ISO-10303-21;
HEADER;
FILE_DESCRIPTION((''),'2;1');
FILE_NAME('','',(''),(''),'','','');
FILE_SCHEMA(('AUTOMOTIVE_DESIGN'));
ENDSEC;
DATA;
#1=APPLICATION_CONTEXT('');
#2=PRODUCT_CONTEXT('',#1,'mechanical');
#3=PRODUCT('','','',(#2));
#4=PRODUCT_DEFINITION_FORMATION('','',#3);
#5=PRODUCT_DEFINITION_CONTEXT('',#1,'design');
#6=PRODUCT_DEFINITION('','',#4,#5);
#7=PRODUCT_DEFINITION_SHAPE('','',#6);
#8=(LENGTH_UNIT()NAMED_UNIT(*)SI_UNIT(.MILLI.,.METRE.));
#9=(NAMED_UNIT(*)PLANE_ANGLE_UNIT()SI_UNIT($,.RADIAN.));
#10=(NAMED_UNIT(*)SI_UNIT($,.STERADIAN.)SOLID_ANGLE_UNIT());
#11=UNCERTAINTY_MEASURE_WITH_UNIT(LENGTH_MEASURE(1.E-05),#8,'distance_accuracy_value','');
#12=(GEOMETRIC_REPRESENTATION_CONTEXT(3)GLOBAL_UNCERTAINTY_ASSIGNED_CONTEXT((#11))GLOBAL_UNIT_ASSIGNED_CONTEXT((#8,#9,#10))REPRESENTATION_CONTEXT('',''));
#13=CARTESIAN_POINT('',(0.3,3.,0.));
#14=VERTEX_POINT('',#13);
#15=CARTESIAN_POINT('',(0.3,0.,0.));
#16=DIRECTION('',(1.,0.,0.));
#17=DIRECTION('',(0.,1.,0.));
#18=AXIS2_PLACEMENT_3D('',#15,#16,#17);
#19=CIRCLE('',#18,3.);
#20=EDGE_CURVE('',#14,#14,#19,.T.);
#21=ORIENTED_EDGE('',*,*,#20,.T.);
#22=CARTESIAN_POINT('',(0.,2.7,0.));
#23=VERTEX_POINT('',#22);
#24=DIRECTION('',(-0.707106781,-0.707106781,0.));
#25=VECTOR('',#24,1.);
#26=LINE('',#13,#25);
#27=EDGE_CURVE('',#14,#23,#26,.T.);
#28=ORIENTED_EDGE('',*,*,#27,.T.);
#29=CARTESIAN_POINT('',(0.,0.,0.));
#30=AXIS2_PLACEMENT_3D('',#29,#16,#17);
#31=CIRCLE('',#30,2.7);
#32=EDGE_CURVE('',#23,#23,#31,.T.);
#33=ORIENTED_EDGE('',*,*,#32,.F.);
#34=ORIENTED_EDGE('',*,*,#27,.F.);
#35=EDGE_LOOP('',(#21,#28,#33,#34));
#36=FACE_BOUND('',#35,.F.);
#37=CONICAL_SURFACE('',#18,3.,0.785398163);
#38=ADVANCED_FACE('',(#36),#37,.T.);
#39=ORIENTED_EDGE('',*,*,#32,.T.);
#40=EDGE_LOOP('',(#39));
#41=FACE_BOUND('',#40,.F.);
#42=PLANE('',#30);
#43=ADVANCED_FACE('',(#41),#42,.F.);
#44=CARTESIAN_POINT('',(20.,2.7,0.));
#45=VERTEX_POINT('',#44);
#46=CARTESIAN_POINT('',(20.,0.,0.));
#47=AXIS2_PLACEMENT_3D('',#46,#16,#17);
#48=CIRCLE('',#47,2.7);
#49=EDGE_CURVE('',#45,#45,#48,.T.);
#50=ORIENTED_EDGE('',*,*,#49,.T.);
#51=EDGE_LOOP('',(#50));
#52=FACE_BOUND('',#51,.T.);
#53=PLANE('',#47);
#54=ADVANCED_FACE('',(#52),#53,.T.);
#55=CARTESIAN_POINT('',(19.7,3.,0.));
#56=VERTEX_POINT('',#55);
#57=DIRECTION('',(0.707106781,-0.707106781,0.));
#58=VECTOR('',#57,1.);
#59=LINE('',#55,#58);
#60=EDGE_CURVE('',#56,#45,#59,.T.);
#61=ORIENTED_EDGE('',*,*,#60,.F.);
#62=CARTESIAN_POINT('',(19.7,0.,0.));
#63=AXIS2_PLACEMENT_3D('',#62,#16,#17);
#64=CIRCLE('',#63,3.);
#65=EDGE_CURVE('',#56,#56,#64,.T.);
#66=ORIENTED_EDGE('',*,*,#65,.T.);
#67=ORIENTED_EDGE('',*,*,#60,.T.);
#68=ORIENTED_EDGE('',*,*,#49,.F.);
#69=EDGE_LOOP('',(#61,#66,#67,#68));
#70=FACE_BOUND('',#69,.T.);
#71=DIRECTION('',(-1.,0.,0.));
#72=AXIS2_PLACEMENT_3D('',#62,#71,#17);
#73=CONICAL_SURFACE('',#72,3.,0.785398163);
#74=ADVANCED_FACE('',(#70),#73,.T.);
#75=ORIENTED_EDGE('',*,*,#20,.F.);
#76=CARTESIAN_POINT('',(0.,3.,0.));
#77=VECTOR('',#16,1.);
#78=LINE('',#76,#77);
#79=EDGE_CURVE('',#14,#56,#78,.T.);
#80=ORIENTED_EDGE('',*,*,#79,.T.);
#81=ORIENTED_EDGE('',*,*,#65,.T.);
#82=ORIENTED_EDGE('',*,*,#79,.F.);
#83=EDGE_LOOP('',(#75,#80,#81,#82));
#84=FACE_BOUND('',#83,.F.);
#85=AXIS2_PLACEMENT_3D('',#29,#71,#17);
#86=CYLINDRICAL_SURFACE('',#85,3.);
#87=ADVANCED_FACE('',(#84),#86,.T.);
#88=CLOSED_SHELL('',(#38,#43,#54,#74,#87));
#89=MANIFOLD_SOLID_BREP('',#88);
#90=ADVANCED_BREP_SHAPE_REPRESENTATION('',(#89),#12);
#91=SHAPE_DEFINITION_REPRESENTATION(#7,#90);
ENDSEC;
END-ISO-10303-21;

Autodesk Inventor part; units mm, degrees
ref_plane "YZ Plane" through (0, 0, 0) normal (1, 0, 0) x (0, 1, 0)
ref_plane "XZ Plane" through (0, 0, 0) normal (0, 1, 0) x (-1, 0, 0)
ref_plane "XY Plane" through (0, 0, 0) normal (0, 0, 1) x (1, 0, 0)
sketch "Skizze3" plane through (0, 0, 0) normal (1, 0, 0) x (0, 1, 0)
  circle A0 centre (0, 0) radius 3
  dimension "d4" = 6
extrude "Extrusion3" add sketch "Skizze3" along normal blind 20
chamfer "Fase1" distance 0.3 angle 45 2 edges at (0, -3, 0) (20, -3, 0)
properties part number "Nummer?" material "Kupfer"
